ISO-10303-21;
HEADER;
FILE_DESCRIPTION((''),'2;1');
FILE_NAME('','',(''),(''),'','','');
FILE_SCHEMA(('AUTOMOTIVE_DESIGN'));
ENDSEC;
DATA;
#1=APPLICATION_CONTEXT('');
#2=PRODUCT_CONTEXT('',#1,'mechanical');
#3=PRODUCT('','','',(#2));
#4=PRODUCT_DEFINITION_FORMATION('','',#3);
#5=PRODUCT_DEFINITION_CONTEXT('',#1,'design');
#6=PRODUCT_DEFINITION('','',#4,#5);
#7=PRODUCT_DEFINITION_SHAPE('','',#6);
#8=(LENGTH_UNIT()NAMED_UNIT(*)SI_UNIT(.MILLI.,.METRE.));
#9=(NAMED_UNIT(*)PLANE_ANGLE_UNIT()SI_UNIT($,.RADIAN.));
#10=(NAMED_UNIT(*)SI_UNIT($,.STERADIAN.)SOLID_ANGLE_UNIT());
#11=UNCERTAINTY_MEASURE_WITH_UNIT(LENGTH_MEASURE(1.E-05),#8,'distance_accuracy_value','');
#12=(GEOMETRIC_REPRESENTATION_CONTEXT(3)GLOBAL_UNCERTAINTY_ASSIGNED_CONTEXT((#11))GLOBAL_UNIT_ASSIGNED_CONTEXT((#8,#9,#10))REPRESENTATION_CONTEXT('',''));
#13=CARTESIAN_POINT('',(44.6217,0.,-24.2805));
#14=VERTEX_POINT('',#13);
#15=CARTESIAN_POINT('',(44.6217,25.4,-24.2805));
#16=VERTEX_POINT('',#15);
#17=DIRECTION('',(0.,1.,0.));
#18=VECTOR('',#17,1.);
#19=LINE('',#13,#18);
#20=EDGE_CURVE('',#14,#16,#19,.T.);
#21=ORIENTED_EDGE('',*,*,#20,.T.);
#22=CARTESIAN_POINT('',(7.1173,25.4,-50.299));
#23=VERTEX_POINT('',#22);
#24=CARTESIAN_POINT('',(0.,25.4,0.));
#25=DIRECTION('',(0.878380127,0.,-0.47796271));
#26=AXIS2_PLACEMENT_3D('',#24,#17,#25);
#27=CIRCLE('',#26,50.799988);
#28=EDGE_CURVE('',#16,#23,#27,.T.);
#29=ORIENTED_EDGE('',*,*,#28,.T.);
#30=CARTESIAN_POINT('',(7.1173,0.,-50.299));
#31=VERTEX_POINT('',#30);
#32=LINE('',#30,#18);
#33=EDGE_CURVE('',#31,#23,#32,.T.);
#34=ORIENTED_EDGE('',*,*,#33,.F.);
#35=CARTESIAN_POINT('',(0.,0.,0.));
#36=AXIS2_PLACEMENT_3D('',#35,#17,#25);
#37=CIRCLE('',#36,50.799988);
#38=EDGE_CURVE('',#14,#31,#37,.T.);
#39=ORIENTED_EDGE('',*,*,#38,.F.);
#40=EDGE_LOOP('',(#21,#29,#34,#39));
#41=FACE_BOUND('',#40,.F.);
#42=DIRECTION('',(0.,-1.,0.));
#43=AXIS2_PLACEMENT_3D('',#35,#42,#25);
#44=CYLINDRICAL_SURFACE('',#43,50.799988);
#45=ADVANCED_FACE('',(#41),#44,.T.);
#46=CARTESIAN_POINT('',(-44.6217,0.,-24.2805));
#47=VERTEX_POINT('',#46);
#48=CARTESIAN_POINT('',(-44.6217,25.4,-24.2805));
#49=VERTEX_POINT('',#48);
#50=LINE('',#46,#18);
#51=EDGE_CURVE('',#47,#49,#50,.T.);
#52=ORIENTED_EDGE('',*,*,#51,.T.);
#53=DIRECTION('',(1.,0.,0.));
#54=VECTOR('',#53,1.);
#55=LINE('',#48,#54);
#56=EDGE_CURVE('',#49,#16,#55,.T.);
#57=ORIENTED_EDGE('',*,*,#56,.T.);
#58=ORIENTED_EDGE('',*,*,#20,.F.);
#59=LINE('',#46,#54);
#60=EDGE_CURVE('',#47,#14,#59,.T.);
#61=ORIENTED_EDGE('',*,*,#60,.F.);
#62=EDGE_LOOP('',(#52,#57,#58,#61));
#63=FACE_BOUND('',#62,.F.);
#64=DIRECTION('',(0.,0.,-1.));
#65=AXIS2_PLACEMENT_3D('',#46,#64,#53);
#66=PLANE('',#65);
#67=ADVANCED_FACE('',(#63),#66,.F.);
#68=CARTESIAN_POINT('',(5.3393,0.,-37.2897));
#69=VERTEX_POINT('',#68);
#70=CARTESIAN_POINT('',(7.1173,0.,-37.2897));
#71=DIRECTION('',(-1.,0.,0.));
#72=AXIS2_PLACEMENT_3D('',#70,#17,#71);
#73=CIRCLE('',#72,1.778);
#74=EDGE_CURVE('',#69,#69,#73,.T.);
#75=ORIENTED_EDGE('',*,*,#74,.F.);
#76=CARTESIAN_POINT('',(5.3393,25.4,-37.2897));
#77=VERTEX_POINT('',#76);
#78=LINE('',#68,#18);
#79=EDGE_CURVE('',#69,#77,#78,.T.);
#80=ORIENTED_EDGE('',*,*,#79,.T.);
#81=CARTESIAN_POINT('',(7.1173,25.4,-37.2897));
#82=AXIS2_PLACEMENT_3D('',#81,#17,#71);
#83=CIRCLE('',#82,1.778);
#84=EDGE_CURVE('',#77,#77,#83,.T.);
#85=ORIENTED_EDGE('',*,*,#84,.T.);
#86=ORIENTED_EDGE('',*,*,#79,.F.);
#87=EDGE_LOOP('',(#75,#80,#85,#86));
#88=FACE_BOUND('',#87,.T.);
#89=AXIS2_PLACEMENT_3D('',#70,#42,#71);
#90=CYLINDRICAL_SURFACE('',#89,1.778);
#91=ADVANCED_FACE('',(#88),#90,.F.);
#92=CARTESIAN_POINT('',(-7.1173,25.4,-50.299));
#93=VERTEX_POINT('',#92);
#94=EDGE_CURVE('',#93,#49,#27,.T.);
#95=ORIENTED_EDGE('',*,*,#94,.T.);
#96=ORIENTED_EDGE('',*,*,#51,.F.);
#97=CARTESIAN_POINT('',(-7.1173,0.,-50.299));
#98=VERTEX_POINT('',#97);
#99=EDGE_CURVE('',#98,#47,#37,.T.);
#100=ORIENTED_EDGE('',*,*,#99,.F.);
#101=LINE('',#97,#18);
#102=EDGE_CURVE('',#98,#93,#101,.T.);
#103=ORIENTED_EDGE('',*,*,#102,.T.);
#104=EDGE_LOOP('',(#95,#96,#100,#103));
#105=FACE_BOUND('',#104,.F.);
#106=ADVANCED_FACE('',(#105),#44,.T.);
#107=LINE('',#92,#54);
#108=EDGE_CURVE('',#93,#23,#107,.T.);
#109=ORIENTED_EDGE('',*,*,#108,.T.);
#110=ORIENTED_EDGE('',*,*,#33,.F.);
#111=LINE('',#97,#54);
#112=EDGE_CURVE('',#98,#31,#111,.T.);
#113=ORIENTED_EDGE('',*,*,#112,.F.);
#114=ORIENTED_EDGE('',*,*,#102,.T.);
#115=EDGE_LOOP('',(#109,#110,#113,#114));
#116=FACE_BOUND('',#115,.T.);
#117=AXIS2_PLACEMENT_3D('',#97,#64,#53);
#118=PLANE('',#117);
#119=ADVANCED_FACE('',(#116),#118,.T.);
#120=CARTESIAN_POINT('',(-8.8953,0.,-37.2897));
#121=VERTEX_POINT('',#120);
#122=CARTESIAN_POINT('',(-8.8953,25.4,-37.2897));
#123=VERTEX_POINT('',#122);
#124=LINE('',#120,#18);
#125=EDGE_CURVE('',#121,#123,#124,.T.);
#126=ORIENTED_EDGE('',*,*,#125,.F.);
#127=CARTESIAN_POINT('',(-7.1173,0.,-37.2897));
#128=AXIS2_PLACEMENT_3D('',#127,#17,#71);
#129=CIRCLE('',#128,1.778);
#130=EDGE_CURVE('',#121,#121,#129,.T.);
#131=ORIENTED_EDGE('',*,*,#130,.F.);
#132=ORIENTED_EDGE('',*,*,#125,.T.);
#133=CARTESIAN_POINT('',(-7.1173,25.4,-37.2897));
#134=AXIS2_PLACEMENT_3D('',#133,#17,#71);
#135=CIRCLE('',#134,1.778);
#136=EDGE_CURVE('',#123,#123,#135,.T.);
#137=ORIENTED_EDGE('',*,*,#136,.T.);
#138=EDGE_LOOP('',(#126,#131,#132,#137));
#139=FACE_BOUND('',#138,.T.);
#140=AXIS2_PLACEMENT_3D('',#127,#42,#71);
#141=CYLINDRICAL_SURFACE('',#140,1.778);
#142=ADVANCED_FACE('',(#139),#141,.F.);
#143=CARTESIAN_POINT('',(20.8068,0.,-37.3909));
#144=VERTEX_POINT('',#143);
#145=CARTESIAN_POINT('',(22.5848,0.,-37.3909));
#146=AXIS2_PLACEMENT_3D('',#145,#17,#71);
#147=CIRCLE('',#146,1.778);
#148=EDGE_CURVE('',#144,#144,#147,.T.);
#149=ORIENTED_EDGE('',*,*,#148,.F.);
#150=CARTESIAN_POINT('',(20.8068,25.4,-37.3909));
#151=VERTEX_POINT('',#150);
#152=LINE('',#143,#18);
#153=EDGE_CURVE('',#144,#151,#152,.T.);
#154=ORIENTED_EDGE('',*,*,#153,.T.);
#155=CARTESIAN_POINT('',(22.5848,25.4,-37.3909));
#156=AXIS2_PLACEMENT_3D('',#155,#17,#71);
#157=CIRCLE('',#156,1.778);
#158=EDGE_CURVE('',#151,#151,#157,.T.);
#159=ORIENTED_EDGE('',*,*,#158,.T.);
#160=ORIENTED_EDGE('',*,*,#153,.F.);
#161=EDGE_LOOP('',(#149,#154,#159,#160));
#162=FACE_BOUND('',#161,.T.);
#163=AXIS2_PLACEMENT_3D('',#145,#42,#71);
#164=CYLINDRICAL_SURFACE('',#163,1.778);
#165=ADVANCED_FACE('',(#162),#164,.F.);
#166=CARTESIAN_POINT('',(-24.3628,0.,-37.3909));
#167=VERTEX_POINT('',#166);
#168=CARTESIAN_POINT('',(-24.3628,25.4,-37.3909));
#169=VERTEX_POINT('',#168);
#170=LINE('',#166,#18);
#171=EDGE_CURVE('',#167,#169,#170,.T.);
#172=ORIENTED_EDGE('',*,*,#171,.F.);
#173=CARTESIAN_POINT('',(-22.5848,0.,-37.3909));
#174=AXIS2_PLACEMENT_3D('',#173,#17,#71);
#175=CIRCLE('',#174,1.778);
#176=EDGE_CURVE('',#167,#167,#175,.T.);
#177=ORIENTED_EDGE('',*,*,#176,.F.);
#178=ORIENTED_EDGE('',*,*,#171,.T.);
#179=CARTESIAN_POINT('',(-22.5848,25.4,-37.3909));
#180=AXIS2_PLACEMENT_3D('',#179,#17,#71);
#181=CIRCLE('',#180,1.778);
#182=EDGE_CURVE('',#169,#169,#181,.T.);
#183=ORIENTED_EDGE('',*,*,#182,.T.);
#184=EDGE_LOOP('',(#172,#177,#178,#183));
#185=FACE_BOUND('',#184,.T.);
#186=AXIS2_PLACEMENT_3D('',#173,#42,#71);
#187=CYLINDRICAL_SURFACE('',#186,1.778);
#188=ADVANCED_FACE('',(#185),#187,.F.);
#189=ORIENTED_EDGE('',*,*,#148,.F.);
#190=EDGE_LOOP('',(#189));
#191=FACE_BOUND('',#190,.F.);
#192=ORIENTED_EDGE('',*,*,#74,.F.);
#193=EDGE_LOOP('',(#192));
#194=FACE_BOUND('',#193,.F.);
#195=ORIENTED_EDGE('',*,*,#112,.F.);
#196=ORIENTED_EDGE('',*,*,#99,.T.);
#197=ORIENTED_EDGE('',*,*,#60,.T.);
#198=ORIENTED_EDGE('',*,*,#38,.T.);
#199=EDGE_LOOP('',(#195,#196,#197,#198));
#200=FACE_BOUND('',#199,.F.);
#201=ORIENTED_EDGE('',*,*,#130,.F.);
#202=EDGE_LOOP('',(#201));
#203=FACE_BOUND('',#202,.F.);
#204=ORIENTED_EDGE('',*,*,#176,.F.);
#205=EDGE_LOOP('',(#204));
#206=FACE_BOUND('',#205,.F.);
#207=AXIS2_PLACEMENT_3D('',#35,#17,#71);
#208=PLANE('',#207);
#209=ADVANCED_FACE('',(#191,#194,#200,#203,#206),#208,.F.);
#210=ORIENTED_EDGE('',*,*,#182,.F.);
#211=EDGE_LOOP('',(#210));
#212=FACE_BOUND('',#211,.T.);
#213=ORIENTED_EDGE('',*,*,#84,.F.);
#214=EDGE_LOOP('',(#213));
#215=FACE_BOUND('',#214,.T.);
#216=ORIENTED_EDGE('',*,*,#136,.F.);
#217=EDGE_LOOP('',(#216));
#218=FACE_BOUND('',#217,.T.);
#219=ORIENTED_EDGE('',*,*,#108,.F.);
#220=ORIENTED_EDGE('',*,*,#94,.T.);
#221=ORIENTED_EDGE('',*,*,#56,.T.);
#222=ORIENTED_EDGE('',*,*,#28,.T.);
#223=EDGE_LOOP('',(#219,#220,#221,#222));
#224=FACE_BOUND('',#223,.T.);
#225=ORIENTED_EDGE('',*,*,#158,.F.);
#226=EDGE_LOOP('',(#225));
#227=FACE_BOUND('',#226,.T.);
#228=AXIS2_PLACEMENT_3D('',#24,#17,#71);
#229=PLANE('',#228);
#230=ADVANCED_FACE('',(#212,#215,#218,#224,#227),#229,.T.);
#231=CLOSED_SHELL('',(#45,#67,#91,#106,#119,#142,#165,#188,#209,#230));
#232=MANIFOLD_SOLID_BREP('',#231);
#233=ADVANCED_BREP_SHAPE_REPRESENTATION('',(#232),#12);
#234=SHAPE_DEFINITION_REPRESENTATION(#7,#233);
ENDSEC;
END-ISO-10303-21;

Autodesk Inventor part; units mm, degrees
ref_plane "YZ Plane" through (0, 0, 0) normal (1, 0, 0) x (0, 1, 0)
ref_plane "XZ Plane" through (0, 0, 0) normal (0, 1, 0) x (-1, 0, 0)
ref_plane "XY Plane" through (0, 0, 0) normal (0, 0, 1) x (1, 0, 0)
sketch "Sketch1" plane through (0, 0, 0) normal (0, 1, 0) x (-1, 0, 0)
  arc A0 (-44.6217, -24.2805) -> (44.6217, -24.2805) centre (0, 0) ccw
  line L0 (44.6217, -24.2805) -> (-44.6217, -24.2805)
  line L1 (7.1173, -50.299) -> (-7.1173, -50.299)
  circle A1 centre (-22.5848, -37.3909) radius 1.778
  circle A2 centre (-7.1173, -37.2897) radius 1.778
  circle A3 centre (7.1173, -37.2897) radius 1.778
  circle A4 centre (22.5848, -37.3909) radius 1.778
  dimension "d0" = 101.6
  dimension "d1" = 3.556
  dimension "d2" = 3.556
  dimension "d3" = 3.556
  dimension "d4" = 3.556
extrude "Extrusion1" add sketch "Sketch1" along normal blind 25.4 contours L0 A0 L1
properties part number "QuarterWheel"
